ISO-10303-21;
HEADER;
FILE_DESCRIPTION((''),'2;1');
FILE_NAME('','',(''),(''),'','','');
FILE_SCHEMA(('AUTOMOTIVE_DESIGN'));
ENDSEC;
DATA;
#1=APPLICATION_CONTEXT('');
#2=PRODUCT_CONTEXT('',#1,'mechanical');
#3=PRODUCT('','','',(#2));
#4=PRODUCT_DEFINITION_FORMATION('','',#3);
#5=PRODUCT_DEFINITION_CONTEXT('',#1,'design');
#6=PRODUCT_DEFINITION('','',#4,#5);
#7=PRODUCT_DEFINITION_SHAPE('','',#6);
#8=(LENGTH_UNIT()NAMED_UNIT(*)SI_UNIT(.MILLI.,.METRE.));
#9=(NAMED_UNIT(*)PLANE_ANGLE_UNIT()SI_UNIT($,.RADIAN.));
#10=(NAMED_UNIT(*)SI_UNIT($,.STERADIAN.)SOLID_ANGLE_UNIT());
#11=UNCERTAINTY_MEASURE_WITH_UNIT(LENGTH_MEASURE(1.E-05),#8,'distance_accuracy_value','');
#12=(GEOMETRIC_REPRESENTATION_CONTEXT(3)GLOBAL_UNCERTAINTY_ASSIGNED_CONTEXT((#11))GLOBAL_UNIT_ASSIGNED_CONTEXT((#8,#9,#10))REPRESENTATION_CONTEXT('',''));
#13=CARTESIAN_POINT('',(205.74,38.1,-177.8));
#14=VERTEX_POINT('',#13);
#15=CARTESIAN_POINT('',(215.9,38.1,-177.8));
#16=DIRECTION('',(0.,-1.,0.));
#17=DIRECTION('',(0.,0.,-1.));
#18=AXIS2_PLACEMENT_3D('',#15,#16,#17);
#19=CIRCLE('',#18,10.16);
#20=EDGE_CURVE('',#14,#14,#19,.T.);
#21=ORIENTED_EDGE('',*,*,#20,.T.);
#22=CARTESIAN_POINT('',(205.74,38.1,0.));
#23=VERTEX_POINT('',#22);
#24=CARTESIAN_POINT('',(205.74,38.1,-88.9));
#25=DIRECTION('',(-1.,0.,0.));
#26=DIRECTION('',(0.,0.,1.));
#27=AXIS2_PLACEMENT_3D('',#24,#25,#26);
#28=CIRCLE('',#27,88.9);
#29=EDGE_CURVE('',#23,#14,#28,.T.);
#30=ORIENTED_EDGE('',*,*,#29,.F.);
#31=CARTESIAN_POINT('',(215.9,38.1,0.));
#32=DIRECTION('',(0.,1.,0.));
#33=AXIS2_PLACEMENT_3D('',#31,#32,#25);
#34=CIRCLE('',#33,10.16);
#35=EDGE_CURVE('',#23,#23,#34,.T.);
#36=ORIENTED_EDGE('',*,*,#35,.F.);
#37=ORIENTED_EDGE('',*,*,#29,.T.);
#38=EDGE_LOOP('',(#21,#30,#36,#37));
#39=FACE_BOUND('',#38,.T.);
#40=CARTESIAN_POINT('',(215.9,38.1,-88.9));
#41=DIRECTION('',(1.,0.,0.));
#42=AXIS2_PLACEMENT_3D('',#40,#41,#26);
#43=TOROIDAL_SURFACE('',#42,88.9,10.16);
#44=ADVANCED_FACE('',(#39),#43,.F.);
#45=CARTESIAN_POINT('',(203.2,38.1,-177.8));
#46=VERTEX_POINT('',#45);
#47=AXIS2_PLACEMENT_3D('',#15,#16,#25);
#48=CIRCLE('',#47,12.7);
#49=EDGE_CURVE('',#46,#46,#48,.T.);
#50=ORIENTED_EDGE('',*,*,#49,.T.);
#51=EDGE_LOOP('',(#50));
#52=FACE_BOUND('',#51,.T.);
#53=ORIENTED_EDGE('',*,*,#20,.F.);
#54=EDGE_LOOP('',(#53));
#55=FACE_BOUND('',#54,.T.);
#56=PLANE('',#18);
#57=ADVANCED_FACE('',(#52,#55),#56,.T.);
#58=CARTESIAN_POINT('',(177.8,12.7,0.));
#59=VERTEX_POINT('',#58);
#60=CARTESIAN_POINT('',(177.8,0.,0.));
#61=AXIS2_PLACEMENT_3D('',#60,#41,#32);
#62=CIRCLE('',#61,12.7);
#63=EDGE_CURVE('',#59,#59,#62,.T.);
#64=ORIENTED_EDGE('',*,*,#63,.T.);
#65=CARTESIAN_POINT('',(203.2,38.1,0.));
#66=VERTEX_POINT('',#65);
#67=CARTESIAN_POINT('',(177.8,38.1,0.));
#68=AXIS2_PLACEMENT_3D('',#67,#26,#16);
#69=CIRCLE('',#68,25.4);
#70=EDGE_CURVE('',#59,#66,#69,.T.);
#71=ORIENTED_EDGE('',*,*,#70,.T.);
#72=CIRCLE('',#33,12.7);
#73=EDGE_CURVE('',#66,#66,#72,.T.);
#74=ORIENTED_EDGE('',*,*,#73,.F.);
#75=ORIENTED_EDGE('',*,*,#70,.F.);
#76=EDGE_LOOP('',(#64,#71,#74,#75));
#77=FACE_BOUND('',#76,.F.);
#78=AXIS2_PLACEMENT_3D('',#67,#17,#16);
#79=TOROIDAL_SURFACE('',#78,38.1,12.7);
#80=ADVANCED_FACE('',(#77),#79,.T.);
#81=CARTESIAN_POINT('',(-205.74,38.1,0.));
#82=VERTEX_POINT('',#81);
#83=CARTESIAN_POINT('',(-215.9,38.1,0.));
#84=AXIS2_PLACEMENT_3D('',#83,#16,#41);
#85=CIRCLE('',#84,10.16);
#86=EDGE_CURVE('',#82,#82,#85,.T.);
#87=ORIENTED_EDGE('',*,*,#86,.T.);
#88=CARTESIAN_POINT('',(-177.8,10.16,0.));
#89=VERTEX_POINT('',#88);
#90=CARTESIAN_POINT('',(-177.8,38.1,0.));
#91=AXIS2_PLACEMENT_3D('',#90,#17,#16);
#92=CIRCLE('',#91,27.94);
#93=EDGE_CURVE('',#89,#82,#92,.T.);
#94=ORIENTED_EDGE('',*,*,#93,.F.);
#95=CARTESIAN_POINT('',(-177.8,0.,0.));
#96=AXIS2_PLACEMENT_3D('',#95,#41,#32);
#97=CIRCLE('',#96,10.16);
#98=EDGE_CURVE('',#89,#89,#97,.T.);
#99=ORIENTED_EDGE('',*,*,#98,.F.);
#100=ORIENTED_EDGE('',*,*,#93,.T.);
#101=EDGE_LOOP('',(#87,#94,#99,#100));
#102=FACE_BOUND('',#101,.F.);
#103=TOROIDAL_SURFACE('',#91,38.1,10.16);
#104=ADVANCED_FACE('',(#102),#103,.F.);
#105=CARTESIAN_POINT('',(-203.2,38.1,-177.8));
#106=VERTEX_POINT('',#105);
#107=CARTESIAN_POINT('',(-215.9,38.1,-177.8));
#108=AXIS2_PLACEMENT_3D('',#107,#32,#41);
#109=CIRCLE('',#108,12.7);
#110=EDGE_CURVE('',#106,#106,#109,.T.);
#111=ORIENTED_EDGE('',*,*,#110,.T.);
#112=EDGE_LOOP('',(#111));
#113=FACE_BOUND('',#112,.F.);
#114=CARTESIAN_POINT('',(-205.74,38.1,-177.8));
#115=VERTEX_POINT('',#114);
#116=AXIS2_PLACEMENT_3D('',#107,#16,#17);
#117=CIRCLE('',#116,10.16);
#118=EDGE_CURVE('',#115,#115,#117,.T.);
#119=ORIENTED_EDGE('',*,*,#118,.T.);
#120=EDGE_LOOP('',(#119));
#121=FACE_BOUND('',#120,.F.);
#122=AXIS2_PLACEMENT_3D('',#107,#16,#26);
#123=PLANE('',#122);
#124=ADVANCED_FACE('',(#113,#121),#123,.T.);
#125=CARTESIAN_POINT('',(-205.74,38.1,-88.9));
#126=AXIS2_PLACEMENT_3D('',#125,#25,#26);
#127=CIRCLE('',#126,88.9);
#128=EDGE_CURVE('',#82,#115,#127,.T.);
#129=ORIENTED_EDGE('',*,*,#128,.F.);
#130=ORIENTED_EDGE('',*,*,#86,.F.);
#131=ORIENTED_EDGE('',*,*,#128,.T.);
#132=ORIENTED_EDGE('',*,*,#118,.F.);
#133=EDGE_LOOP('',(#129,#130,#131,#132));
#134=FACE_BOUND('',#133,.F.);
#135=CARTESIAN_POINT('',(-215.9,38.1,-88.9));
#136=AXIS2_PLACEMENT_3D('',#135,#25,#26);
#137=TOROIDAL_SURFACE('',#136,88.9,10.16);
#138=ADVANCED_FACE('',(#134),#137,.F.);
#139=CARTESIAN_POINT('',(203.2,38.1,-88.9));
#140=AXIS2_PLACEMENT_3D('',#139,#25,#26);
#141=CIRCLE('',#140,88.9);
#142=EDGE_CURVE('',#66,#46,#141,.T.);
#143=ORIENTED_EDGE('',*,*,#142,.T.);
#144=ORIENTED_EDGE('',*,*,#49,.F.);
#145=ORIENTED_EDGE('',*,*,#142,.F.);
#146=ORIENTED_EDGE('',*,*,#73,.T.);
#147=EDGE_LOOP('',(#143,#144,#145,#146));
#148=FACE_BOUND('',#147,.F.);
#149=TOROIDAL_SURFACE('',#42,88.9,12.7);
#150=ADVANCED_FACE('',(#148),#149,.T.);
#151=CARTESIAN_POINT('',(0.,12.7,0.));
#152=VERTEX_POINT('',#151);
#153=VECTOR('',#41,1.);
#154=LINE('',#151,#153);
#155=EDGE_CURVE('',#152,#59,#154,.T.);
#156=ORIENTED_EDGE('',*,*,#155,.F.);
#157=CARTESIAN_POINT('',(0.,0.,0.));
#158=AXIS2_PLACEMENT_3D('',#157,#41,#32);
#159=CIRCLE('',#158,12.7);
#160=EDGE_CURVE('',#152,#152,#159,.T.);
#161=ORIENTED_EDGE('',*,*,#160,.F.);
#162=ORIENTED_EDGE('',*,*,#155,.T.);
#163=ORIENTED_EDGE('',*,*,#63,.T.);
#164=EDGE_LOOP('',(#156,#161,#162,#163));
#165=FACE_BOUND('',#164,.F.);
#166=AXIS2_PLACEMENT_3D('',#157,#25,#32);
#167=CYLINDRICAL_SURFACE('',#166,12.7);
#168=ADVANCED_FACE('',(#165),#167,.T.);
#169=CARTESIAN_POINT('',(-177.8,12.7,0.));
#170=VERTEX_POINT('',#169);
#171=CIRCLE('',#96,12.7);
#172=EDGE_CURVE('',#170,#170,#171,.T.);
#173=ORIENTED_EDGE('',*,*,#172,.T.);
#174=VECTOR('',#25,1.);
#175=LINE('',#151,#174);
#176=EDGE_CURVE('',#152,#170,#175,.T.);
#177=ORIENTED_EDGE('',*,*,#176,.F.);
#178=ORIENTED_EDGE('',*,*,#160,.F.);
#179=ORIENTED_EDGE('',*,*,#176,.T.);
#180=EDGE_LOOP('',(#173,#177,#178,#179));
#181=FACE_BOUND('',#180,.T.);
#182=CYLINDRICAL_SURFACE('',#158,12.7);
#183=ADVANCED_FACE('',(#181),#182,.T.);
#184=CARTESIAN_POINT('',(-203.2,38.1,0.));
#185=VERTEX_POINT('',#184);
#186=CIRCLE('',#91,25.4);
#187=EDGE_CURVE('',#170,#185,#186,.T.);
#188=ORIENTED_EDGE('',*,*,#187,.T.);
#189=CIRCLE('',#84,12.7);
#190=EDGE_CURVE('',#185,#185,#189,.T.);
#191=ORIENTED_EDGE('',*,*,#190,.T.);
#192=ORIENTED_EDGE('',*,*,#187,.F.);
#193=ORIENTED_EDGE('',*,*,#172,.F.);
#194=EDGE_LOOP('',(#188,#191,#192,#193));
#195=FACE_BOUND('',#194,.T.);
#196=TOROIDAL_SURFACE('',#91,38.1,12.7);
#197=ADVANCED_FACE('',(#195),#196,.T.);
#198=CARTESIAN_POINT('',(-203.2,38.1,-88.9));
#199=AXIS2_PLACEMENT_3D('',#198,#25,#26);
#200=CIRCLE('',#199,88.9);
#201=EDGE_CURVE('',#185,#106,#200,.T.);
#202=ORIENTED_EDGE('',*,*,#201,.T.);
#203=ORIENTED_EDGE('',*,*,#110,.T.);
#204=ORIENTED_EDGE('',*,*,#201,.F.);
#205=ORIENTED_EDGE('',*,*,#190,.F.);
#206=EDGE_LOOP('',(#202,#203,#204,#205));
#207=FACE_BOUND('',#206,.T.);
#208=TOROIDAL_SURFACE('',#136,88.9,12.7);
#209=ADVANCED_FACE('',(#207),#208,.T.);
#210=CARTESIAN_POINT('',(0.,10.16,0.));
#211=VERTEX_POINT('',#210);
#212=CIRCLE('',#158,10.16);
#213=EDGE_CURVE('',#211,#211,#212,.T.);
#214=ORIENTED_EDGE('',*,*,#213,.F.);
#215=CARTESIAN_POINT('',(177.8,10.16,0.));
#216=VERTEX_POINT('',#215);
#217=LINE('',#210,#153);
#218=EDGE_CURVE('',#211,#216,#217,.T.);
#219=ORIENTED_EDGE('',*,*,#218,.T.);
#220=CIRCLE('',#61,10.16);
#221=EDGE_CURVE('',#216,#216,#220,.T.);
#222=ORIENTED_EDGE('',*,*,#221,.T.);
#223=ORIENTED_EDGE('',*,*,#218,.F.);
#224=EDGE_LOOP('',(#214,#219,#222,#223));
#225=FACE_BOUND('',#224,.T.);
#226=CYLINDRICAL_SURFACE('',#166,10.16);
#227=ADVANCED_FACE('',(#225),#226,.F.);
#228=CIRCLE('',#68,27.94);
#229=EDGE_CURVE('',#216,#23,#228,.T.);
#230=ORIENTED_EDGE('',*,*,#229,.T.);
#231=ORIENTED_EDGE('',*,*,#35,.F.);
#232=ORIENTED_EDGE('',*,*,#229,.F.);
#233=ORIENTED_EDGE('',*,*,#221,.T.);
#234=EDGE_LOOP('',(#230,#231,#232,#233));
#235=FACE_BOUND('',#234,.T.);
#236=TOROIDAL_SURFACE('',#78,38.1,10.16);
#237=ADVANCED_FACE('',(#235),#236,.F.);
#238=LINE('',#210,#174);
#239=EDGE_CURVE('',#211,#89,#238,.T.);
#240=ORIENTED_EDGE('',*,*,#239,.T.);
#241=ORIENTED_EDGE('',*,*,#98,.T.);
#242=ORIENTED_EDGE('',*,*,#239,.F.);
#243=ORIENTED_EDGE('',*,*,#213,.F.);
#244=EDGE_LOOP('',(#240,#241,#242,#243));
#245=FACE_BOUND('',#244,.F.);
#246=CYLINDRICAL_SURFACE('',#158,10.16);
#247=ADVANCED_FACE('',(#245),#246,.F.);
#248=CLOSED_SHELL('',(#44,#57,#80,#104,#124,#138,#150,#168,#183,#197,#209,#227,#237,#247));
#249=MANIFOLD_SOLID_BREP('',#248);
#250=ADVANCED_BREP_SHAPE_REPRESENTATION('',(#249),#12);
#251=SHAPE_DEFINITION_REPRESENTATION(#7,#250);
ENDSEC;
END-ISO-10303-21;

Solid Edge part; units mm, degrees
sketch "Sketch1" plane through (0, 0, 0) normal (1, 0, 0) x (0, 1, 0)
  circle A0 centre (0, 0) radius 12.7
extrude "Protrusion1" add sketch "Sketch1" along normal blind 177.8
sketch "Sketch2" plane through (177.8, 0, 0) normal (1, 0, 0) x (0, 1, 0)
  circle A0 centre (0, 0) radius 12.7
revolve "Bend_1" add sketch "Sketch2" angle 90 about axis through (177.8, 38.1, 18.9338) along (0, 0, 1)
sketch "Sketch3" plane through (215.9, 38.1, 0) normal (0, 1, 0) x (-1, 0, 0)
  circle A0 centre (0, 0) radius 12.7
revolve "Bend_2" add sketch "Sketch3" angle 180 about axis through (96.964, 38.1, -88.9) along (-1, 0, 0)
mirror "Mirror1" about plane through (0, 0, 0) normal (1, 0, 0) of "Protrusion1", "Bend_1", "Bend_2"
shell "Tube" thickness 2.54 removed faces 4 at (207.6873, 38.1, -169.0793) at (-207.6873, 38.1, -169.0793) at (207.6873, 38.1, -169.0793) at (-207.6873, 38.1, -169.0793)
properties part number "8-16" material "Stainless steel"
